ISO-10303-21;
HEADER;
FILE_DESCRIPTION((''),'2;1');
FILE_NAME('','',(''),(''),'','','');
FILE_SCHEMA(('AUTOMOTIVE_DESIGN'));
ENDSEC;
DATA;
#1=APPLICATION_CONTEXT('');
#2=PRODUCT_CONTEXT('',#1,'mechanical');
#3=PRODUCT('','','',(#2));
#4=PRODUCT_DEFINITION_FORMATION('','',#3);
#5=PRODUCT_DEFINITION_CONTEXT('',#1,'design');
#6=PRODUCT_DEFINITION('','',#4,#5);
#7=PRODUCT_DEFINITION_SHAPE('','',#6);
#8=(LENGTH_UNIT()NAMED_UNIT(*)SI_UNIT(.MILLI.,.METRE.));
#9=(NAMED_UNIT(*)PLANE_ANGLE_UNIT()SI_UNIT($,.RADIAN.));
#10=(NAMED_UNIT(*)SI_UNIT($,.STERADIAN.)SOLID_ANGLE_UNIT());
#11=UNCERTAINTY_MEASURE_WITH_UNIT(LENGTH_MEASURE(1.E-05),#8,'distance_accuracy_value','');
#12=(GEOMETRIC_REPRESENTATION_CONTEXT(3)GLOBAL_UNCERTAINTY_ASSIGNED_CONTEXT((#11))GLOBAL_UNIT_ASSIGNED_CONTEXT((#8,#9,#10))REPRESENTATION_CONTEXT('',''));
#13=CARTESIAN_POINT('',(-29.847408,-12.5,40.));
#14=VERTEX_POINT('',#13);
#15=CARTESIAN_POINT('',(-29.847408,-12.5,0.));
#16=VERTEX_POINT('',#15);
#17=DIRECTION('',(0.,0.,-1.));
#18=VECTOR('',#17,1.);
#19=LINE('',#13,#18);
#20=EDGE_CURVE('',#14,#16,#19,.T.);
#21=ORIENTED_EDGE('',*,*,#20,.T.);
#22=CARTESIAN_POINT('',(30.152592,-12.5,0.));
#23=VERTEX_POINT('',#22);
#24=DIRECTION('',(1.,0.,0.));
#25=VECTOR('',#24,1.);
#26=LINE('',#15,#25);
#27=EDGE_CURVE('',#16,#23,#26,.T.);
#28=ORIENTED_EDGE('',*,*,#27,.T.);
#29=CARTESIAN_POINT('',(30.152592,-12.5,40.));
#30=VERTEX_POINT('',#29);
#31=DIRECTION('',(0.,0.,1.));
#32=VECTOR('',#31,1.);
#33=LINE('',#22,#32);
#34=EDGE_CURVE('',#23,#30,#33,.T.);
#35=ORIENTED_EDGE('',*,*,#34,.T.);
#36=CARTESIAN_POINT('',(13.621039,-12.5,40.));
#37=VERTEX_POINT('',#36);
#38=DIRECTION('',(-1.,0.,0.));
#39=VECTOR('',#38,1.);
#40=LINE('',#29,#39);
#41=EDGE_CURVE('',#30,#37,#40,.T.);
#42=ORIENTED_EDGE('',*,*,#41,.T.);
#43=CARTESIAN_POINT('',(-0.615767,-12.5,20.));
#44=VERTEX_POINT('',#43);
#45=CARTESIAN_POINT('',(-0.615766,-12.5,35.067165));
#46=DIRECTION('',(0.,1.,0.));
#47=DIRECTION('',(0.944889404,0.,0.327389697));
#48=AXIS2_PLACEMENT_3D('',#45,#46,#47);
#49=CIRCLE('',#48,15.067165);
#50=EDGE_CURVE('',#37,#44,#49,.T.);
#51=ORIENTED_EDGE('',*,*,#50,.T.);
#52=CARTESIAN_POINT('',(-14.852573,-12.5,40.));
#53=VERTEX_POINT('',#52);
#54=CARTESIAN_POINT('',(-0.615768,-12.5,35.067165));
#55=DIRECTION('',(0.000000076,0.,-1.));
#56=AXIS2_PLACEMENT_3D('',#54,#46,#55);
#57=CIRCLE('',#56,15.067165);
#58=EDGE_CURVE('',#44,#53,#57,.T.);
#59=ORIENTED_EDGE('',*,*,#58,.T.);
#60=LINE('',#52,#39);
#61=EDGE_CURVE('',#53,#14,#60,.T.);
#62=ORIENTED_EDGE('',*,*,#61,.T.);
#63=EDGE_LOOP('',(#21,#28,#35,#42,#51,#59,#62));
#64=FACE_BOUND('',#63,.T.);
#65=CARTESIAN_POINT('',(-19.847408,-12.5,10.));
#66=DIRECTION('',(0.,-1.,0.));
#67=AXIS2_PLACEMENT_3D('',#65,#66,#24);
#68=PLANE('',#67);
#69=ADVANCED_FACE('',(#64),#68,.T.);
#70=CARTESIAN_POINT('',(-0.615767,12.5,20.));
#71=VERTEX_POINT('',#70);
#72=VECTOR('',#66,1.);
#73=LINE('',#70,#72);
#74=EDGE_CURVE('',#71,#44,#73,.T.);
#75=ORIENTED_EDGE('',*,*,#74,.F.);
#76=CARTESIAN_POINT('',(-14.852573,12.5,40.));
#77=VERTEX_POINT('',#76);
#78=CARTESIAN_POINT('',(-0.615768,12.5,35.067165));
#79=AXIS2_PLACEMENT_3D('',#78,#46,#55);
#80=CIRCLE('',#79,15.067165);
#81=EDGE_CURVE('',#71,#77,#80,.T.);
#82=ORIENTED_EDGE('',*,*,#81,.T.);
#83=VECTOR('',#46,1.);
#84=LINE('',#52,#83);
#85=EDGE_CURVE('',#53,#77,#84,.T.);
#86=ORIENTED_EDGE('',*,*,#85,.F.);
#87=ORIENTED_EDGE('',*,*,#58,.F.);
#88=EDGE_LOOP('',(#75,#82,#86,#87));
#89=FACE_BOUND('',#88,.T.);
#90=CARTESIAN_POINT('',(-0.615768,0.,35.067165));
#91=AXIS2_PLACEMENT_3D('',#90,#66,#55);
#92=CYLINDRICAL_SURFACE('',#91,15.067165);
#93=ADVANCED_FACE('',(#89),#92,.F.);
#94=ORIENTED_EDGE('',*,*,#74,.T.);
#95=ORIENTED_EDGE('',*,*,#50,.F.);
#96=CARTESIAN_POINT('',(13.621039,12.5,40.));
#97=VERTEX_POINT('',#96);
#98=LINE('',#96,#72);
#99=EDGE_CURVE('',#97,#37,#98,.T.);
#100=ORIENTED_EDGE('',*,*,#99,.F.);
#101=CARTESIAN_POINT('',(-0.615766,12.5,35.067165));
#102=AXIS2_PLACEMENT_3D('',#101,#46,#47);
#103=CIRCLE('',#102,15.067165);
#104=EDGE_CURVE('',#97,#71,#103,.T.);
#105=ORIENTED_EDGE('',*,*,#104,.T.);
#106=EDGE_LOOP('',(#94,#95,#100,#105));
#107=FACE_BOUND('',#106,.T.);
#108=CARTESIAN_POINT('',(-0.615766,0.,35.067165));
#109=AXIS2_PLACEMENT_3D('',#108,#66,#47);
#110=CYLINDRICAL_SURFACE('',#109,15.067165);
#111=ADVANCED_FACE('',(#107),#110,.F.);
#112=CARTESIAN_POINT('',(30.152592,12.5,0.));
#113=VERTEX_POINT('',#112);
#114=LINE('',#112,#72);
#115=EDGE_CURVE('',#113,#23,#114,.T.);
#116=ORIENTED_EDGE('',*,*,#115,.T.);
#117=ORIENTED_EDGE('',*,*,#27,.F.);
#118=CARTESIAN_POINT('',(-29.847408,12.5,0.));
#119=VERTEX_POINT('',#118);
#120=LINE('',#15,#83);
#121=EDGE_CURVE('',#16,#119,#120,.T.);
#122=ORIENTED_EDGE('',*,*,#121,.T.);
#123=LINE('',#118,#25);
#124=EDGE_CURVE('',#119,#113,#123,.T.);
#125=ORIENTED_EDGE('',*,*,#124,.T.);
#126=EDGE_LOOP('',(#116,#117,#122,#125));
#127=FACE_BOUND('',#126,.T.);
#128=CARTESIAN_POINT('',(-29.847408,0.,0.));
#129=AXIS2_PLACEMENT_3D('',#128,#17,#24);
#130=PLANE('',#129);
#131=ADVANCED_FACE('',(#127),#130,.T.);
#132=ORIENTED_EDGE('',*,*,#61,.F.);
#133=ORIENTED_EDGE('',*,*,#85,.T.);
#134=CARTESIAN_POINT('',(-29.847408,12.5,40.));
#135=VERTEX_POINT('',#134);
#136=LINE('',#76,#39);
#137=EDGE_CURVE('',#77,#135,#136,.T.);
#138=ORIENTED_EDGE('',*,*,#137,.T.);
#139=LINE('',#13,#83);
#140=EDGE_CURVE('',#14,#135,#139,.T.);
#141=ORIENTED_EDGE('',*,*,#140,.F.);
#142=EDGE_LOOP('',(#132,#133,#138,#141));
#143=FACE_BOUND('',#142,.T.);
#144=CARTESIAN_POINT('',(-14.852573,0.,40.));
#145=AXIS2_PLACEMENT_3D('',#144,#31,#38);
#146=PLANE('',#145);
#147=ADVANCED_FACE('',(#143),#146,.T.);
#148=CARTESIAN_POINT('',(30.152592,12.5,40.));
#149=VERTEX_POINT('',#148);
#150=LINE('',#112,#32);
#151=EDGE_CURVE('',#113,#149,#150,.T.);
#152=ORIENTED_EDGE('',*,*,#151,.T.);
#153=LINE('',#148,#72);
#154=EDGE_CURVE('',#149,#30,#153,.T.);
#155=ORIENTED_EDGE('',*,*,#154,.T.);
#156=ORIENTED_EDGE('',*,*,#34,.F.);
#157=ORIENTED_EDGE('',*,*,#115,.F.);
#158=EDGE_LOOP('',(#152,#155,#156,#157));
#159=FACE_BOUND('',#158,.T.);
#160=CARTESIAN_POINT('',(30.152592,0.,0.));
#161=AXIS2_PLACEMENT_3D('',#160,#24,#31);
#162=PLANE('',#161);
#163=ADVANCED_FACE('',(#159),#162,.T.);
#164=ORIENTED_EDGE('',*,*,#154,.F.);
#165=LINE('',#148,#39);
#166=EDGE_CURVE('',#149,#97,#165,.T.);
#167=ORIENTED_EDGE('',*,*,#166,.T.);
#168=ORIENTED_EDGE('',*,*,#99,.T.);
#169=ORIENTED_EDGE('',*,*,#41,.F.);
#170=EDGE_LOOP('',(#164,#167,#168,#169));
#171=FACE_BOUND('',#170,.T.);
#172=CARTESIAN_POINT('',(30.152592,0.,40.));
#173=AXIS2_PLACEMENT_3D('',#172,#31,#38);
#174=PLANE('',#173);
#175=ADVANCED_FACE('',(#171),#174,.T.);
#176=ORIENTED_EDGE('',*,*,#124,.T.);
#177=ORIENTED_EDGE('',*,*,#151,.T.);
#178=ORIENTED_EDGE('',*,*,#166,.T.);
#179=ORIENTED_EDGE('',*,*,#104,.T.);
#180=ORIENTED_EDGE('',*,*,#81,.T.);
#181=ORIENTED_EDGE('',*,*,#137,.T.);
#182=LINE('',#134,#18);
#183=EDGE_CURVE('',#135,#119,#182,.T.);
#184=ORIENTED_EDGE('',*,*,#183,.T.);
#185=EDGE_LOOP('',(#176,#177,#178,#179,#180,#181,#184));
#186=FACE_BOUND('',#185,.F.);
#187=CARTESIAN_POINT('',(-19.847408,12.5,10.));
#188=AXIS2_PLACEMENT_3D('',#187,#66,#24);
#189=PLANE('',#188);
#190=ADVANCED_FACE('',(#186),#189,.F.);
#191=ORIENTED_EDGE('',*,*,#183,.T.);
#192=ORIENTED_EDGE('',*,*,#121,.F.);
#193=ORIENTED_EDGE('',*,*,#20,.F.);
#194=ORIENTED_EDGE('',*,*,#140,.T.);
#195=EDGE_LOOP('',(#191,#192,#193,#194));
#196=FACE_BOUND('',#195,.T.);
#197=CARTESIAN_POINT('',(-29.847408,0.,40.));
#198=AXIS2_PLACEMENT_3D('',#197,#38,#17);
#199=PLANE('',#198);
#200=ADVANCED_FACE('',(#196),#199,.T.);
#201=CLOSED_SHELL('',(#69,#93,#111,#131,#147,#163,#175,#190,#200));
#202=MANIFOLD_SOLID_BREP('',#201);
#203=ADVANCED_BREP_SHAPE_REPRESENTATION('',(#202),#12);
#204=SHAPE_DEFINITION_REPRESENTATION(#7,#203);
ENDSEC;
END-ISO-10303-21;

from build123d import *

# Parameters (mm, degrees)
F0_W     = 20
F0_H     = 20
F1_DEPTH = 12.5


with BuildPart() as f1:
    # F0 (on Front) → F1 (new body, symmetric)
    with BuildSketch(Plane.XZ):
        with Locations((-19.847408, 10)):
            Rectangle(F0_W, F0_H)
        Polygon((-9.847408, 20), (-9.847408, 0), (10.152592, 0), (10.152592, 20), (-0.615767, 20), align=None)
        with BuildLine():
            Line((-29.847408, 40), (-29.847408, 20))
            Line((-29.847408, 20), (-9.847408, 20))
            Line((-9.847408, 20), (-0.615767, 20))
            ThreePointArc((-0.615767, 20), (-12.890606, 26.329441), (-14.852573, 40))
            Line((-14.852573, 40), (-29.847408, 40))
        make_face()
        with Locations((20.152592, 10)):
            Rectangle(F0_W, F0_H)
        with BuildLine():
            Line((-0.615767, 20), (10.152592, 20))
            Line((10.152592, 20), (30.152592, 20))
            Line((30.152592, 20), (30.152592, 40))
            Line((30.152592, 40), (13.621039, 40))
            ThreePointArc((13.621039, 40), (11.659072, 26.329441), (-0.615767, 20))
        make_face()
    extrude(amount=F1_DEPTH, both=True)


solid = f1.part
